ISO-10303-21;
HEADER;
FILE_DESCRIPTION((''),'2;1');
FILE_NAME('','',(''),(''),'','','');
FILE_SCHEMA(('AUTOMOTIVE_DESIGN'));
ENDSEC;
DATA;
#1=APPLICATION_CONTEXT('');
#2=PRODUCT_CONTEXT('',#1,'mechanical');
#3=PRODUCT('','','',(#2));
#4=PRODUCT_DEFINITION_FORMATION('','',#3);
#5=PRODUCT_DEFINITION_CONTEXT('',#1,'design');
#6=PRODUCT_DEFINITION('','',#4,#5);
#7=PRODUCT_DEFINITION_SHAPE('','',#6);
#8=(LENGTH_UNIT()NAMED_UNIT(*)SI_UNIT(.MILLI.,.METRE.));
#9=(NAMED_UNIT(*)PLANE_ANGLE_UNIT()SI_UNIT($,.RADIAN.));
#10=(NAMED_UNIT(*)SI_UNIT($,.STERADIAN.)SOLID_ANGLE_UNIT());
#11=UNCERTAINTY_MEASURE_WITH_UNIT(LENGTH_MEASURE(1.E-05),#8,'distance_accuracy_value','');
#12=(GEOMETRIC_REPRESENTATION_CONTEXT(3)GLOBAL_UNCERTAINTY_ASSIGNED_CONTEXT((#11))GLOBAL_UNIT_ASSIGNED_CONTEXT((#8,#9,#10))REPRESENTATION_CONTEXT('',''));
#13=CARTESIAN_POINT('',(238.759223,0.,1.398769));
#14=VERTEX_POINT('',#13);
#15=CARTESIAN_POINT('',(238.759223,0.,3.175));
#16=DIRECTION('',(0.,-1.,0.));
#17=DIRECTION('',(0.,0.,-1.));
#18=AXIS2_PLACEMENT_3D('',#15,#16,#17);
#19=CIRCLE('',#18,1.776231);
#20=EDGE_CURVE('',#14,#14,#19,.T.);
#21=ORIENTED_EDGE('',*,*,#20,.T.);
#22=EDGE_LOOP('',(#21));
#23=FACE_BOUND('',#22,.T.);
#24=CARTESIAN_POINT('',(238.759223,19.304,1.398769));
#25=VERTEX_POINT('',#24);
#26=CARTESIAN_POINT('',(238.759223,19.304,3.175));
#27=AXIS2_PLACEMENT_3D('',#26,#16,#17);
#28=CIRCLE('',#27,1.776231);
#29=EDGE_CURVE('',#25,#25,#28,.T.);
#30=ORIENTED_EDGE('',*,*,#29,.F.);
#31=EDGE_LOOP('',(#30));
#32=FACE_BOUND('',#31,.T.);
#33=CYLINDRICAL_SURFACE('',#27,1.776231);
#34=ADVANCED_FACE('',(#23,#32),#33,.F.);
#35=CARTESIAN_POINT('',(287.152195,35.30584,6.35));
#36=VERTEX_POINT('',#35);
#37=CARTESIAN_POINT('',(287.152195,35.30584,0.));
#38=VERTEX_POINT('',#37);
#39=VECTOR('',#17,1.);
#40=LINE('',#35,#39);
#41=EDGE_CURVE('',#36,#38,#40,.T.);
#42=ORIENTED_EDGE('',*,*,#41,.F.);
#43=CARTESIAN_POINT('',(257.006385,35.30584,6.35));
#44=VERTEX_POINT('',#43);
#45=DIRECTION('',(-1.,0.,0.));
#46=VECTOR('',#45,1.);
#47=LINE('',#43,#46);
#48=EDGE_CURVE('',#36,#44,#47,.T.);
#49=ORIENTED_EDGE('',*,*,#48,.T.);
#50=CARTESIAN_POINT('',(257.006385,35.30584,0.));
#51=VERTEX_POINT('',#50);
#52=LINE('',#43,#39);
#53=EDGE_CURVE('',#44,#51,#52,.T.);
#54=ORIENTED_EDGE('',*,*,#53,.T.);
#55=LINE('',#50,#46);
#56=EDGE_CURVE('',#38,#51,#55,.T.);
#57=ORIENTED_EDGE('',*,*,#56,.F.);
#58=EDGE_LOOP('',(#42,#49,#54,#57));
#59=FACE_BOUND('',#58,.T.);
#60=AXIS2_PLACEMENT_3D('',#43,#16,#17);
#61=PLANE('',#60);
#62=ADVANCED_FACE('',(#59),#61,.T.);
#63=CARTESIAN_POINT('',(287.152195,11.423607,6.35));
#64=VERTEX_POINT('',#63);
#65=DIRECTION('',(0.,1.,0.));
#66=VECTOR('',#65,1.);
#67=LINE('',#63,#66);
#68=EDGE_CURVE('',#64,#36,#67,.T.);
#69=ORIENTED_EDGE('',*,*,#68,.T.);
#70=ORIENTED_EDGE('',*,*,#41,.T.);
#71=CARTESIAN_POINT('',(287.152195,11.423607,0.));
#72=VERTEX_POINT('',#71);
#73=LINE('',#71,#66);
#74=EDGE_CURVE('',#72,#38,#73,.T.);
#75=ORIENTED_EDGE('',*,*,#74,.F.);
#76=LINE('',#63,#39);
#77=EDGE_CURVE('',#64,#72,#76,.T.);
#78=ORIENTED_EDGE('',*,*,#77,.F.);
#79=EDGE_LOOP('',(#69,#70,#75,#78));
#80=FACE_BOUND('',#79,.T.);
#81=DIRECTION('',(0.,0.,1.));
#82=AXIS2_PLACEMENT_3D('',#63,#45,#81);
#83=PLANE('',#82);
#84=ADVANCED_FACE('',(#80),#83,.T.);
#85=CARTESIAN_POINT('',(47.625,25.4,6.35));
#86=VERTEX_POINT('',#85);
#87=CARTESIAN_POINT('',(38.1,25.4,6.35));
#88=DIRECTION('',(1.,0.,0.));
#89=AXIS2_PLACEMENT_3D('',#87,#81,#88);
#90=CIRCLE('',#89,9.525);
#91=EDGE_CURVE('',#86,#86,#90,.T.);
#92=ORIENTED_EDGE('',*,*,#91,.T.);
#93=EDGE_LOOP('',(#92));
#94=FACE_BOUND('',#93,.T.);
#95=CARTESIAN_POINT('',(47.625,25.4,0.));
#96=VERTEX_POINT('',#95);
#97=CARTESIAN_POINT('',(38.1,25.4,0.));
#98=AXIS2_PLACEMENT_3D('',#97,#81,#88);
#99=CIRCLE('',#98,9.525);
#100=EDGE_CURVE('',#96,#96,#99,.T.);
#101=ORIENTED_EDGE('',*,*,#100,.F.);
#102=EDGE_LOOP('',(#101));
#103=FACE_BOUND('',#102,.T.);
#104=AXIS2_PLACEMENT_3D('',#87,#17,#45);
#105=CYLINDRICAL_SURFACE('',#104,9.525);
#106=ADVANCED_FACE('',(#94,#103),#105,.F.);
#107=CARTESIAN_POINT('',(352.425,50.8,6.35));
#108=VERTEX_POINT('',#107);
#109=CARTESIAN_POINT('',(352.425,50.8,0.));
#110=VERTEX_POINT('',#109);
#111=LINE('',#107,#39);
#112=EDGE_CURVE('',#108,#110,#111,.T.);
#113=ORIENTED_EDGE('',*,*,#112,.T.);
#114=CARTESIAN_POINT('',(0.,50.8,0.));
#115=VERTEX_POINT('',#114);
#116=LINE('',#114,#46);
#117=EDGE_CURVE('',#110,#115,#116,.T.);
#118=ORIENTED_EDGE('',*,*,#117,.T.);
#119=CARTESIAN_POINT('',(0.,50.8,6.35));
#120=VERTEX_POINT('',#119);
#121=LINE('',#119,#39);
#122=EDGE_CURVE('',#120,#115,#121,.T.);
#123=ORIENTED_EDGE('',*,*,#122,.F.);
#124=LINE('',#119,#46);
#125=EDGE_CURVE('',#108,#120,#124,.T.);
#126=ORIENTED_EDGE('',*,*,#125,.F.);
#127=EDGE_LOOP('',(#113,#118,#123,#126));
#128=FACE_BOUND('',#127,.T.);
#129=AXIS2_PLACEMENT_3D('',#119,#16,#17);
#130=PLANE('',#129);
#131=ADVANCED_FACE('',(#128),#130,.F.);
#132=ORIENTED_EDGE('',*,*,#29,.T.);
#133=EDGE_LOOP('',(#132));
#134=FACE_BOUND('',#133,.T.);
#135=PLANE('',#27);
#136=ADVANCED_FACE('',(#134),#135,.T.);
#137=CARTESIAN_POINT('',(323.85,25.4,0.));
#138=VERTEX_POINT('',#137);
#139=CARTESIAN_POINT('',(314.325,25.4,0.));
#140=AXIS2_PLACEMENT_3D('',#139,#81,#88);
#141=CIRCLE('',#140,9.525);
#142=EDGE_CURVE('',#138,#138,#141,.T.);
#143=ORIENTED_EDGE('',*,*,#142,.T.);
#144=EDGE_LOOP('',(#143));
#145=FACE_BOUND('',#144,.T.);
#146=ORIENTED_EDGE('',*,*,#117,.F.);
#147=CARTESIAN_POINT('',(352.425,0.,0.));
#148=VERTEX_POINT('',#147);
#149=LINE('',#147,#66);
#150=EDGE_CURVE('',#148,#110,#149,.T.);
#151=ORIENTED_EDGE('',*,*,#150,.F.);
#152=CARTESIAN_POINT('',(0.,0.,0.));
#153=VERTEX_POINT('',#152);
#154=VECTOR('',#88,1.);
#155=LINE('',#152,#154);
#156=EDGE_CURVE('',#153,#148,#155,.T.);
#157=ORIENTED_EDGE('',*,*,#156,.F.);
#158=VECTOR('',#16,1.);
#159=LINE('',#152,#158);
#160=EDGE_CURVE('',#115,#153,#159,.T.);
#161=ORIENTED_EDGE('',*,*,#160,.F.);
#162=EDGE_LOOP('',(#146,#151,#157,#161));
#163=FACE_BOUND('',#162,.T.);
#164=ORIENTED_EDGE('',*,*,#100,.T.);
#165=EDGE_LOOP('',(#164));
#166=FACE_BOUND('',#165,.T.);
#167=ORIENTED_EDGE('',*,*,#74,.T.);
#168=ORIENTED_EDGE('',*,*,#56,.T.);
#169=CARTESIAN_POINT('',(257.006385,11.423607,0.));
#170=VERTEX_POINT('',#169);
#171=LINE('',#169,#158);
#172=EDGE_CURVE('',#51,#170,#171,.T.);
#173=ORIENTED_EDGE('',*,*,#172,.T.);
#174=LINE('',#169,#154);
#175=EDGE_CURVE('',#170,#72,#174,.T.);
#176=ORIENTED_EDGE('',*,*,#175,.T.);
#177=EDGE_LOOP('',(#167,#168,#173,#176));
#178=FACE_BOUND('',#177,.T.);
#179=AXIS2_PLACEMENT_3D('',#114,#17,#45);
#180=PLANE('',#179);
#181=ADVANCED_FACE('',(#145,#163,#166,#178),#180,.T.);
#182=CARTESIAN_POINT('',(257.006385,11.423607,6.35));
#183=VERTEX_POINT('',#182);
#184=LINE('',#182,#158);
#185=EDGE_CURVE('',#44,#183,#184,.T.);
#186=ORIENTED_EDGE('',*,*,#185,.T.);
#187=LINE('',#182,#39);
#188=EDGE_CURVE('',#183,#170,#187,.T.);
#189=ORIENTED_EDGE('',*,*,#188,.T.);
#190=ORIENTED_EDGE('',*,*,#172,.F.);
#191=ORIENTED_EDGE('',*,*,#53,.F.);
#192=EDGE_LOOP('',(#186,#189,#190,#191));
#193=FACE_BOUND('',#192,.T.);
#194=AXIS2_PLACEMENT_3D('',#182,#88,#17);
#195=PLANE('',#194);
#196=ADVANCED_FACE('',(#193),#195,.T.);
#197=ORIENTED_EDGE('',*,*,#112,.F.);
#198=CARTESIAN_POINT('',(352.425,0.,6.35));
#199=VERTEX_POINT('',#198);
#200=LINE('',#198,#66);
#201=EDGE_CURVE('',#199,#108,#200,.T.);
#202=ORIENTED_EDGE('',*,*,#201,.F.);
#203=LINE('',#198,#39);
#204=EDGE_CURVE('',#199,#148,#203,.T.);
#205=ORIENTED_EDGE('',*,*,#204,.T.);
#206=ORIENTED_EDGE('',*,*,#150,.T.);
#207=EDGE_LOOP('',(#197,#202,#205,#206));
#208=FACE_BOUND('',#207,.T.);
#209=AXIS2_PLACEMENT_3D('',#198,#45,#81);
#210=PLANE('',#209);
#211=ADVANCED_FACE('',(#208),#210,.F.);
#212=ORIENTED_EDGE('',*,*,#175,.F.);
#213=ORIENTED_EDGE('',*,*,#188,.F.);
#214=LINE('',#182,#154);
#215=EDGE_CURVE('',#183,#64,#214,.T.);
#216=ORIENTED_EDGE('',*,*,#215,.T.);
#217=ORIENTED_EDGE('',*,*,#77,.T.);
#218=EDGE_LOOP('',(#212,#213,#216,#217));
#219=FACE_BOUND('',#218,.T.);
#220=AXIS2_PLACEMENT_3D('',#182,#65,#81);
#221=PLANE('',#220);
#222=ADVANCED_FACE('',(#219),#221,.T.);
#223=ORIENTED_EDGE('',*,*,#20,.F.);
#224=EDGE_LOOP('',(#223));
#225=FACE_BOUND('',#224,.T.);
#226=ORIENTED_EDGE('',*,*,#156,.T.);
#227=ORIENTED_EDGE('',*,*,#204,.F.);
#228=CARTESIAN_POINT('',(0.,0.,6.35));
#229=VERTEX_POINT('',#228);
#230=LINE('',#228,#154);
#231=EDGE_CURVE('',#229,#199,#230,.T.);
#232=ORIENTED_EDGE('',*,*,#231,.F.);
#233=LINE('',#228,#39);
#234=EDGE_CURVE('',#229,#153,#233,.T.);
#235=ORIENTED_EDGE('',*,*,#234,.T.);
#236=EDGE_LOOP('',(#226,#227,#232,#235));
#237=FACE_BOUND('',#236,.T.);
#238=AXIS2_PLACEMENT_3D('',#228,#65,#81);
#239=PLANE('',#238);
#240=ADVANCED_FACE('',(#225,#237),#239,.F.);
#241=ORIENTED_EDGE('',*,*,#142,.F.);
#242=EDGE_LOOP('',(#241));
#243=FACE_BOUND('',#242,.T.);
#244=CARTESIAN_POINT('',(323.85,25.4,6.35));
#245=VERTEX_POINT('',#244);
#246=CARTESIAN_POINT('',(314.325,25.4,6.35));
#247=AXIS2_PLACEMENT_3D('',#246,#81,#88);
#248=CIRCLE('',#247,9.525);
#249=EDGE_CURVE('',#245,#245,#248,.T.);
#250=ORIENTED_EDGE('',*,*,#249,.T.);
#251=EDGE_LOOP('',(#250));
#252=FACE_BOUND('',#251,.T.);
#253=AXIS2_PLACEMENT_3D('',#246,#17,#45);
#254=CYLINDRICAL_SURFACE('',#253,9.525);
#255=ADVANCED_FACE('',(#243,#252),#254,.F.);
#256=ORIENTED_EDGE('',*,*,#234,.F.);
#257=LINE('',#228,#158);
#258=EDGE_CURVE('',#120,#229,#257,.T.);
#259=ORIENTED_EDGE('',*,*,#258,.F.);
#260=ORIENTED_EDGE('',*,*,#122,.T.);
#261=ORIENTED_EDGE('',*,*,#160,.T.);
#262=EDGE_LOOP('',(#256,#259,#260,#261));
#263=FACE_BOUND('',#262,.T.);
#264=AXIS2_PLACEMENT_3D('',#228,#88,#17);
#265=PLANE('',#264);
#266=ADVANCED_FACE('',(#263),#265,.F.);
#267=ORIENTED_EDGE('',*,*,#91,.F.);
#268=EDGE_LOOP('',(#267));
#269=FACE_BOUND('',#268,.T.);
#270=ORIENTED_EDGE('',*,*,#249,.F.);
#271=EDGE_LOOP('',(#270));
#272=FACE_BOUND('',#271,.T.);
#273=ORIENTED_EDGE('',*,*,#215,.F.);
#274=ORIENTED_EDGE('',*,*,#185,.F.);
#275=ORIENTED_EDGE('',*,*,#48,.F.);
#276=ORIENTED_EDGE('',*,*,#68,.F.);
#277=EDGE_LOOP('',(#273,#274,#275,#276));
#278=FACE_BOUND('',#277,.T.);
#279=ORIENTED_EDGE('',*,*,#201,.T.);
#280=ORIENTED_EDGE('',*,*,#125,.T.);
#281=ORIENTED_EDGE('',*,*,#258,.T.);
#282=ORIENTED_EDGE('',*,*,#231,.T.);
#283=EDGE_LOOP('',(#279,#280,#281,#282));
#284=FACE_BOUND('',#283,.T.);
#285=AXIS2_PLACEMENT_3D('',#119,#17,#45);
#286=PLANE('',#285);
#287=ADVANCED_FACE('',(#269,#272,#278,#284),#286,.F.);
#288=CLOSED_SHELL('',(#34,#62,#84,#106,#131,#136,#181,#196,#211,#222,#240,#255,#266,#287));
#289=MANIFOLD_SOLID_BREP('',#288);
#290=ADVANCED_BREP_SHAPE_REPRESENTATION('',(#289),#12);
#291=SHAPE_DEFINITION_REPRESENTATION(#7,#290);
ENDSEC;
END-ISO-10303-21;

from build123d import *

# Parameters (mm, degrees)
SKETCH1_W           = 352.425
SKETCH1_H           = 50.8
SKETCH1_R           = 9.525
SKETCH1_W_2         = 30.145810139
SKETCH1_H_2         = 23.882232645
BOSS_EXTRUDE1_DEPTH = 6.35
SKETCH2_R           = 1.776231012
CUT_EXTRUDE1_DEPTH  = 19.304


with BuildPart() as part:
    # Sketch1 → Boss-Extrude1 (new body)
    with BuildSketch(Plane.XY):
        with Locations((176.2125, 25.4)):
            Rectangle(SKETCH1_W, SKETCH1_H)
        with Locations((38.1, 25.4)):
            Circle(SKETCH1_R, mode=Mode.SUBTRACT)
        with Locations((314.325, 25.4)):
            Circle(SKETCH1_R, mode=Mode.SUBTRACT)
        with Locations((272.079290139, 23.364723209)):
            Rectangle(SKETCH1_W_2, SKETCH1_H_2, mode=Mode.SUBTRACT)
    extrude(amount=BOSS_EXTRUDE1_DEPTH)

    # Sketch2 → Cut-Extrude1 (cut)
    with BuildSketch(Plane.XZ):
        with Locations(Location((238.759223147, 3.175, 0), (0, 0, 270))):
            Circle(SKETCH2_R)
    extrude(amount=-CUT_EXTRUDE1_DEPTH, mode=Mode.SUBTRACT)


solid = part.part
